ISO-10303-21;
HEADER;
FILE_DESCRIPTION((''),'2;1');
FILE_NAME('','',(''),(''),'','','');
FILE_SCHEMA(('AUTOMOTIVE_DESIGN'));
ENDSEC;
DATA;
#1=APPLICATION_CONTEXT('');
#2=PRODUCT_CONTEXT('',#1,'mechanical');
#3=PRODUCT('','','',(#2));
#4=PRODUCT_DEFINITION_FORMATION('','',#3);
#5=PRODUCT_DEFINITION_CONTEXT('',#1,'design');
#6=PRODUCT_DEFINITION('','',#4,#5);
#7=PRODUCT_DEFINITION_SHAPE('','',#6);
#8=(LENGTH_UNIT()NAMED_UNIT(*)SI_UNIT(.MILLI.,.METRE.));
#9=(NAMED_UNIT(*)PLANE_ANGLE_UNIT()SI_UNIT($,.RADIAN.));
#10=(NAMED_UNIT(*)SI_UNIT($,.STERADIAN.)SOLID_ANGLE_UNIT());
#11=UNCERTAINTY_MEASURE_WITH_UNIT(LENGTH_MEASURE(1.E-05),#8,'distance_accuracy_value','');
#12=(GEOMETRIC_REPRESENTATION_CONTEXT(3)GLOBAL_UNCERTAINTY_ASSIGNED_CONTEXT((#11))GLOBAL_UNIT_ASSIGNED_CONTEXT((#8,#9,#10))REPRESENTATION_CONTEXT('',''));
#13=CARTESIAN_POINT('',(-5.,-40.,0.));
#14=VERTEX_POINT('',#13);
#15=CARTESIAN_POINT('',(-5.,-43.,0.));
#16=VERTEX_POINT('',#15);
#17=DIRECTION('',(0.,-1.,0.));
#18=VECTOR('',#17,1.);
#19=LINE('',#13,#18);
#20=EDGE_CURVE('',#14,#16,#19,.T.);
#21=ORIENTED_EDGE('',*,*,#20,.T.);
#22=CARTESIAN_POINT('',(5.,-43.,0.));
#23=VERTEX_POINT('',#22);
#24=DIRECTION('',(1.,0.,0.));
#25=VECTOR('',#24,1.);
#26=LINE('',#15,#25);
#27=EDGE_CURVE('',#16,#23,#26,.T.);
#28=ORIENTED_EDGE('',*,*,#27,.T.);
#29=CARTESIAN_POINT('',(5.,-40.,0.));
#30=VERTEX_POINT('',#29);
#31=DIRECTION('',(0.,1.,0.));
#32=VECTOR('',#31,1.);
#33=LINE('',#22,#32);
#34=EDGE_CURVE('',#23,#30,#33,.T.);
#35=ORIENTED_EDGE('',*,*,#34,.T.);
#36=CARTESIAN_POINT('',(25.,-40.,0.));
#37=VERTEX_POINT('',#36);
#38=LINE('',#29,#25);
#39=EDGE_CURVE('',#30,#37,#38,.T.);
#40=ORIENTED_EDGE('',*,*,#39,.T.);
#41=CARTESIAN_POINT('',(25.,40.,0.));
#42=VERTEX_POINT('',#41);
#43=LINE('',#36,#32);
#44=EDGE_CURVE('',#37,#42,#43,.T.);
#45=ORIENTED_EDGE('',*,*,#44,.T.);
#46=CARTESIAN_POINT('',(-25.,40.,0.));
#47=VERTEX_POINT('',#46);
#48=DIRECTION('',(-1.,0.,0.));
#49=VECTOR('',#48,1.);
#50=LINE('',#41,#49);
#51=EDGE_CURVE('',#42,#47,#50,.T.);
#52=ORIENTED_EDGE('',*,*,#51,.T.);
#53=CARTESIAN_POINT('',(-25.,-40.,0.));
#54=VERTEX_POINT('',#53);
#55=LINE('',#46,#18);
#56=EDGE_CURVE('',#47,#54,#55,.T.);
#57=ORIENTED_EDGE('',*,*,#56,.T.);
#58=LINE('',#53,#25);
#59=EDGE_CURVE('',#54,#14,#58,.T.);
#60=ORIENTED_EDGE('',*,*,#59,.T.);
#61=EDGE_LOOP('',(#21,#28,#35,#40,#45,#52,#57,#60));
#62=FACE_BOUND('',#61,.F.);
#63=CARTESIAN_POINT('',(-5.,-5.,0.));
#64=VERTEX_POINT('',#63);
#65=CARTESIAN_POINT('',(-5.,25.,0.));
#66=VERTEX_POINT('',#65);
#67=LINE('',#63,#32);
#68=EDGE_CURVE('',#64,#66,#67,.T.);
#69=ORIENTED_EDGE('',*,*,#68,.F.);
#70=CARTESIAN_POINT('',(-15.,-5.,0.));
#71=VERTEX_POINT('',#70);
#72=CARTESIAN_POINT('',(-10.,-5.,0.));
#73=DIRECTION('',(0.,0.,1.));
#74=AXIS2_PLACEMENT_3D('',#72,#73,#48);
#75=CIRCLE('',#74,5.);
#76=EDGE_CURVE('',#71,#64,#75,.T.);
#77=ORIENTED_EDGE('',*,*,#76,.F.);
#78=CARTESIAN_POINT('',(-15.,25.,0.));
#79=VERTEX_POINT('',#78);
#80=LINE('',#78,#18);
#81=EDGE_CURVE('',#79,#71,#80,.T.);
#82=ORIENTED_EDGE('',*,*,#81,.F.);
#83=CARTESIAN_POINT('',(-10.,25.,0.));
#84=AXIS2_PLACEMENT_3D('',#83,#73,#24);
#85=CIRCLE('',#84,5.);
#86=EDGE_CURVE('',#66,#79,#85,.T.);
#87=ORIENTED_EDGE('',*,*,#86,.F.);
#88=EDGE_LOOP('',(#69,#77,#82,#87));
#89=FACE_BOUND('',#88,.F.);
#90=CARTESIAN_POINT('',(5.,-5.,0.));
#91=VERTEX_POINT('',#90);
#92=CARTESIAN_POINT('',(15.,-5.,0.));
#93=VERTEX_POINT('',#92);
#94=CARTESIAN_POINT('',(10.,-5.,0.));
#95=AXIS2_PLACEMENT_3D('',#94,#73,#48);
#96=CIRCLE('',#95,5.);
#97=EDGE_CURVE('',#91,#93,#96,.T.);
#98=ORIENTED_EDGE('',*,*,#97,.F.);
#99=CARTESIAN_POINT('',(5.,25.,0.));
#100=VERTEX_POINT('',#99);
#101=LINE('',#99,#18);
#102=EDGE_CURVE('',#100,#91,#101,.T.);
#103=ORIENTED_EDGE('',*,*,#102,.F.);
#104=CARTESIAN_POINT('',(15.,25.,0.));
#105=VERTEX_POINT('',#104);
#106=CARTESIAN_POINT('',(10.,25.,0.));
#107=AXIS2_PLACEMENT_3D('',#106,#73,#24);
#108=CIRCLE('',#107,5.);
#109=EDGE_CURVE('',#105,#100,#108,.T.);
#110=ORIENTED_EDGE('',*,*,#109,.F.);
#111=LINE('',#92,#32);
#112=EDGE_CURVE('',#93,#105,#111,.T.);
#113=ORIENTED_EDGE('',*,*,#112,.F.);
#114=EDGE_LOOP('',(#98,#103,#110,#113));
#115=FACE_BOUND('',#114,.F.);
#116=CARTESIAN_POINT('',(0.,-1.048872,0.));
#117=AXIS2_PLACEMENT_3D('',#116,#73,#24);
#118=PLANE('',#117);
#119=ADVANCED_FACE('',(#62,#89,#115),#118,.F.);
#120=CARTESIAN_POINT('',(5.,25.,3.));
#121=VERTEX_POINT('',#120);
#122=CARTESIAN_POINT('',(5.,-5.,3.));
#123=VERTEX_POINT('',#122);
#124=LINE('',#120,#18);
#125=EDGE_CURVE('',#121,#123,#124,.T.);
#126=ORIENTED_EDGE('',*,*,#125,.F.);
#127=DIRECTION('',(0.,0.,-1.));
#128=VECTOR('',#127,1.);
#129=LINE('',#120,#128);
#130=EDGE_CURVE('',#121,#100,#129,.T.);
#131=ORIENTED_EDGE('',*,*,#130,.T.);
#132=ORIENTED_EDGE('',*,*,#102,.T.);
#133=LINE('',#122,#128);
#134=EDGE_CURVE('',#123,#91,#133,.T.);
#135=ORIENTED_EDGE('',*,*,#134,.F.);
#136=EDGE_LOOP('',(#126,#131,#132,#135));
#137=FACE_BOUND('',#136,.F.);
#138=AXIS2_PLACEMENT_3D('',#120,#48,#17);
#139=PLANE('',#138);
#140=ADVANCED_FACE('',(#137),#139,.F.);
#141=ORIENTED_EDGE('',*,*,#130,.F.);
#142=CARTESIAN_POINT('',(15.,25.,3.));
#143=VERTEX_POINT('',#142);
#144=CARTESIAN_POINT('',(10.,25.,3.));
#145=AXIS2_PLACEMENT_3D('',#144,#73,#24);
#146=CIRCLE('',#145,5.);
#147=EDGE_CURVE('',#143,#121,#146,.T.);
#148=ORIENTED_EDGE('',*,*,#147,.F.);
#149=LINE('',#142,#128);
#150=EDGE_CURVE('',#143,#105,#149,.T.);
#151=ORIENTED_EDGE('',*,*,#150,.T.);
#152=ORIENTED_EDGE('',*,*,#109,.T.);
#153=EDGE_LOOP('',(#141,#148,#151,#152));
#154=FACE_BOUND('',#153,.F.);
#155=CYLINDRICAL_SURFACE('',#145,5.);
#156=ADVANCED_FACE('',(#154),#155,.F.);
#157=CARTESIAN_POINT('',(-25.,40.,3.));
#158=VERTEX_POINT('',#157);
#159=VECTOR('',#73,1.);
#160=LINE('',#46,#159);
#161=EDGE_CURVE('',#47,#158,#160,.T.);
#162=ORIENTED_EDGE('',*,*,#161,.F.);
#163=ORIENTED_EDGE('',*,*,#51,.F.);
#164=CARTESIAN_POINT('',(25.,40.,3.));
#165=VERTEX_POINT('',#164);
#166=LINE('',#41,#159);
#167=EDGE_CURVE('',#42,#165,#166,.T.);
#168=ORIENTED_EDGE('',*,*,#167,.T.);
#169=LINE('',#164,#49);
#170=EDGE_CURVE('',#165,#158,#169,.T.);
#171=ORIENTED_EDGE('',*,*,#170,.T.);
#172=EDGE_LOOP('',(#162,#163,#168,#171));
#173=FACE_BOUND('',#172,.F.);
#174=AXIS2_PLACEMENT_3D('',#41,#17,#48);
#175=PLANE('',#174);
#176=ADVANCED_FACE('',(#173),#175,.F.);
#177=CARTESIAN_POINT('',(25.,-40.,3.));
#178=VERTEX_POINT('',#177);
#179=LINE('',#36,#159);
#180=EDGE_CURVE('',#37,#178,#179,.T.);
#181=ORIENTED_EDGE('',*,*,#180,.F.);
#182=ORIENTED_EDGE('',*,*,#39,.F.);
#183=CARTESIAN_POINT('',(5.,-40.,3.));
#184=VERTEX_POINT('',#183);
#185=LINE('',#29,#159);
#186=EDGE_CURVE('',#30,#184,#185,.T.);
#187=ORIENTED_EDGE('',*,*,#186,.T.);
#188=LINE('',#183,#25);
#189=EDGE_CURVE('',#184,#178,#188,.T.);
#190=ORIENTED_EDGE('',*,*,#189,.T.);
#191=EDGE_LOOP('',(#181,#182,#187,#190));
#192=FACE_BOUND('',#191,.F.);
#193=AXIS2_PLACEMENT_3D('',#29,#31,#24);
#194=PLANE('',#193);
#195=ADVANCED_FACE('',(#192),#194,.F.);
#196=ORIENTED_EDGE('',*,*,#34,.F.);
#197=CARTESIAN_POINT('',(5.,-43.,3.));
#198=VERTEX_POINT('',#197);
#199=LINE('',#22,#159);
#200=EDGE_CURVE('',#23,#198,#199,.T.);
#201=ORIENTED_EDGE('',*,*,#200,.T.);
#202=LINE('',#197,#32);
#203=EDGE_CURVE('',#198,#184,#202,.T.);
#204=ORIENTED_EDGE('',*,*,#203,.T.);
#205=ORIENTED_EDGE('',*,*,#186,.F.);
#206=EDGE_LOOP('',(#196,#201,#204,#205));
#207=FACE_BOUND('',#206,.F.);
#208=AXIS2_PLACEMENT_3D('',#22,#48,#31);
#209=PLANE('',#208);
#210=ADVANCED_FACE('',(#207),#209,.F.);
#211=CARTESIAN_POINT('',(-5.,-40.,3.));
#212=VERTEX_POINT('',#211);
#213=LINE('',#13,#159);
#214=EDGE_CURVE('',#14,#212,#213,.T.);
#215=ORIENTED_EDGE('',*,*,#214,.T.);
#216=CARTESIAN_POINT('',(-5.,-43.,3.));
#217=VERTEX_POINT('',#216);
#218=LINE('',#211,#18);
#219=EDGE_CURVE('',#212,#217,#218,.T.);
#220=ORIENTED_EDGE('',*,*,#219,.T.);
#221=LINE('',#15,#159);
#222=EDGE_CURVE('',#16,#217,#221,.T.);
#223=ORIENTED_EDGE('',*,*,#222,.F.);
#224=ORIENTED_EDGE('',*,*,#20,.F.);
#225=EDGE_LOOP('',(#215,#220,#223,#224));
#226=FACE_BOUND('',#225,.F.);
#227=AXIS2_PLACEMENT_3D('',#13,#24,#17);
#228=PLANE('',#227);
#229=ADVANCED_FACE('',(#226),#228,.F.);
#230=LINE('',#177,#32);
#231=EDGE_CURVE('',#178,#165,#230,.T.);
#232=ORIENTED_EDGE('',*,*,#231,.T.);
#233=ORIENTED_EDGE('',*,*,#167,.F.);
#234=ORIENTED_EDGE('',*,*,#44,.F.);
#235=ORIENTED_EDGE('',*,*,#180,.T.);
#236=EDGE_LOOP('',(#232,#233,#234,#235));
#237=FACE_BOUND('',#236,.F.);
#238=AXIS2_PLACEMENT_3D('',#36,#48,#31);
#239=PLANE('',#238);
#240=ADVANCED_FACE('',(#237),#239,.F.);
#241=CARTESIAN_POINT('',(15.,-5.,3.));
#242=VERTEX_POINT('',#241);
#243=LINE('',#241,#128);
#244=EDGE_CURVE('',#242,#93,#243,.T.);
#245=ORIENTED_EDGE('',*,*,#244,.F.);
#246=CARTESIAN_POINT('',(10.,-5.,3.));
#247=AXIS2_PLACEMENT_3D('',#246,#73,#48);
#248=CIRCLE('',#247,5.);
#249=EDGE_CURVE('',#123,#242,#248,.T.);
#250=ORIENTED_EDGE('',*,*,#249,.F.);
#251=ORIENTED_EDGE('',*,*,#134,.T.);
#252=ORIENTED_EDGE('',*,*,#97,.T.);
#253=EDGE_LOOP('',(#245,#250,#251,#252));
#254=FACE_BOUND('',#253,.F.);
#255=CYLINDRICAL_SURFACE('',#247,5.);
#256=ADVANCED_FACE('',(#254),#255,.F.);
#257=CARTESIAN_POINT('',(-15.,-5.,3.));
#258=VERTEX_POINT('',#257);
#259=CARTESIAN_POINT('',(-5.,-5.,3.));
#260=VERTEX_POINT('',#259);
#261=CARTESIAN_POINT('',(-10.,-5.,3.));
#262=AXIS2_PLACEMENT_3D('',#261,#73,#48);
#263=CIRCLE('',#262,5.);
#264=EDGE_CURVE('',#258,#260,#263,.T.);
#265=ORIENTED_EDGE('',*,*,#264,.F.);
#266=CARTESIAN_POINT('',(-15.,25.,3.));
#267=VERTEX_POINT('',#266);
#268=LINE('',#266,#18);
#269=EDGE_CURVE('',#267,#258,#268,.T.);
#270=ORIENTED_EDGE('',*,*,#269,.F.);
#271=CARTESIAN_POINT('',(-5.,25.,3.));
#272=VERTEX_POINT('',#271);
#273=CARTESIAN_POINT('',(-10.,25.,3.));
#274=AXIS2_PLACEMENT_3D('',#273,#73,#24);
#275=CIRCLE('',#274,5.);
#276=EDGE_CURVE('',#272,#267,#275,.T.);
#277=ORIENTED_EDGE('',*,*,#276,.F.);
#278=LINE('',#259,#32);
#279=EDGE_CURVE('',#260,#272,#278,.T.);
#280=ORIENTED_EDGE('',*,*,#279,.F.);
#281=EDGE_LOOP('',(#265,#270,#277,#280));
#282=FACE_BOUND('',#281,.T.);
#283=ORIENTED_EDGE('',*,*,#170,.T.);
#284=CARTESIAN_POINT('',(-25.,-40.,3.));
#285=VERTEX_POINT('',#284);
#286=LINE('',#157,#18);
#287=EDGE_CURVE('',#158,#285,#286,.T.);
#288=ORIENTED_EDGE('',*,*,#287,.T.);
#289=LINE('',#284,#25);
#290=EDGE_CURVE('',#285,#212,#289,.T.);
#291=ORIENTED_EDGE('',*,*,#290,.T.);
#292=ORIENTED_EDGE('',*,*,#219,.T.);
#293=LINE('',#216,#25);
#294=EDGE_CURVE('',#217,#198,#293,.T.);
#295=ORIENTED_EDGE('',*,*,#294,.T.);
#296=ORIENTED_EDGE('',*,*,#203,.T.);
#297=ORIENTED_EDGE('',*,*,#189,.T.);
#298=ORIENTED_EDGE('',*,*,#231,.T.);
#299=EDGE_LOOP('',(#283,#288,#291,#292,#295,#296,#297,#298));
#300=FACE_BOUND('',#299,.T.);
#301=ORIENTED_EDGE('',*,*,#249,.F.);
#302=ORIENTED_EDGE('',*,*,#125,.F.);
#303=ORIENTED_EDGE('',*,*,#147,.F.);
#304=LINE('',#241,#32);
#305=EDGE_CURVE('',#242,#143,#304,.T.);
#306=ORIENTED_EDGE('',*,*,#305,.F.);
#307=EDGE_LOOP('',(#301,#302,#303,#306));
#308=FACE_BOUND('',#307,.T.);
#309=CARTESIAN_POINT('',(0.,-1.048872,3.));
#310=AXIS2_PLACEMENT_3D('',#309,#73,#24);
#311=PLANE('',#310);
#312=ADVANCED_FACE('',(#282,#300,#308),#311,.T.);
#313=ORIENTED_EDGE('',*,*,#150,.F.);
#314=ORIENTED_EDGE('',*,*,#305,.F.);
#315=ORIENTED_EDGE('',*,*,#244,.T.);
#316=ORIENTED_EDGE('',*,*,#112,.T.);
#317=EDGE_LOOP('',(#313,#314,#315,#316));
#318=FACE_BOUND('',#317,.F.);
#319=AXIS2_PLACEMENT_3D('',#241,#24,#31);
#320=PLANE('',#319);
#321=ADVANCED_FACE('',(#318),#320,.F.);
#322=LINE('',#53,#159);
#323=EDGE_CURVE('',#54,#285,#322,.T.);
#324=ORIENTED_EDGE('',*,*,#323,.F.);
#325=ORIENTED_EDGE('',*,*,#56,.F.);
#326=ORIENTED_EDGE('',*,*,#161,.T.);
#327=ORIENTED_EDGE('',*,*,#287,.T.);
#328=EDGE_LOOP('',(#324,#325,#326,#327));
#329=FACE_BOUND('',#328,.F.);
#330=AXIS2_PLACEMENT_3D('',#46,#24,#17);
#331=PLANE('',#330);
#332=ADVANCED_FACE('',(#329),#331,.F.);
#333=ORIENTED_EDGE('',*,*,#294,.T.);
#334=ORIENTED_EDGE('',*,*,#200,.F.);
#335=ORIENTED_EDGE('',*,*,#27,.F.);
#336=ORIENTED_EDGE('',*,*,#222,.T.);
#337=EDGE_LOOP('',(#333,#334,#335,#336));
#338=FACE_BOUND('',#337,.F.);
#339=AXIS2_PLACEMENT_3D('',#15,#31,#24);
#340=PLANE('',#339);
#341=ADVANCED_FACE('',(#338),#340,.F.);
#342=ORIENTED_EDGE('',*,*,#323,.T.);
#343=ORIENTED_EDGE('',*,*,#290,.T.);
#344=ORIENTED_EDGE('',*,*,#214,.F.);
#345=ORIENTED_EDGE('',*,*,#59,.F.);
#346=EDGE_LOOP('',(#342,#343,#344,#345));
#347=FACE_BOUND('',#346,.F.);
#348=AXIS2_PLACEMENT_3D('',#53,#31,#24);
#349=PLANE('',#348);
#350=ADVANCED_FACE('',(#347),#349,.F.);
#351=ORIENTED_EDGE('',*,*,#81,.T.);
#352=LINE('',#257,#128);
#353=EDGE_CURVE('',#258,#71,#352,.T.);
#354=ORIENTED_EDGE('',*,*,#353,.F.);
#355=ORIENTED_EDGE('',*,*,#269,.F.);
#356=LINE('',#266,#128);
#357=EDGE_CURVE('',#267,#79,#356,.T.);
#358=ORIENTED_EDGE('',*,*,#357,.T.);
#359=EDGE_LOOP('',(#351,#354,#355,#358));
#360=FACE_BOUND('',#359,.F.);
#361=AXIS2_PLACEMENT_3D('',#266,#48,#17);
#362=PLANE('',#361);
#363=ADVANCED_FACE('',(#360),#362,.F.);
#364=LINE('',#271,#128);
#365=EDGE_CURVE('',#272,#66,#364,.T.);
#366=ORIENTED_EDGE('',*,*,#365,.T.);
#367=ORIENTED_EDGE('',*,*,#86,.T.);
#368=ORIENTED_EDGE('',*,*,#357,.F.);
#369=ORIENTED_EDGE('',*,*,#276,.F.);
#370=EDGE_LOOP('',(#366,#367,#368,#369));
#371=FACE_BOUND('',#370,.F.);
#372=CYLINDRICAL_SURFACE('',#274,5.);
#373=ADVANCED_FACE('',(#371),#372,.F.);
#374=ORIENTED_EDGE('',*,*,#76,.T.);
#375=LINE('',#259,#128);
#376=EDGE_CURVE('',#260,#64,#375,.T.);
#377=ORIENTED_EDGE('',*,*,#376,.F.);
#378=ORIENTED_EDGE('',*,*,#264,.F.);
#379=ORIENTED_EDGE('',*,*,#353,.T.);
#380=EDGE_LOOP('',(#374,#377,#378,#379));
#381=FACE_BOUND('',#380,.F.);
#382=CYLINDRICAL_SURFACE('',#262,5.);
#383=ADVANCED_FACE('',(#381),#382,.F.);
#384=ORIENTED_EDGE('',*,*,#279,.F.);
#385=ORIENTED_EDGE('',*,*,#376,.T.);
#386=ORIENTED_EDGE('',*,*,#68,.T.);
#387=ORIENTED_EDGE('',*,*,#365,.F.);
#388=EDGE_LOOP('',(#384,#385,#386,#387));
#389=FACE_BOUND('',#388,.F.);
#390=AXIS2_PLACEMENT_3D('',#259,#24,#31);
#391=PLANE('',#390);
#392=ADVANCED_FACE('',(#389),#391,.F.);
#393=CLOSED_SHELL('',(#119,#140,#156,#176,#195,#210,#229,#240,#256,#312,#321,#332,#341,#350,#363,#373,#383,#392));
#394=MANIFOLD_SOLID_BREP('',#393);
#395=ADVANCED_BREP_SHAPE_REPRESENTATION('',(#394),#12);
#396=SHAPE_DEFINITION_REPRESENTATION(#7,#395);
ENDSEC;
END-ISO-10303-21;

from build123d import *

# Parameters (mm, degrees)
F1_DEPTH = 3
F3_DEPTH = 3


with BuildPart() as f1:
    # F0 (on Top) → F1 (new body)
    with BuildSketch(Plane.XY):
        Polygon((25, -40), (25, 40), (-25, 40), (-25, -40), (-5, -40), (-5, -43), (5, -43), (5, -40), align=None)
    extrude(amount=F1_DEPTH)

    # F2 (on face) → F3 (cut, through all)
    with BuildSketch(Plane.XY.offset(3)):
        with BuildLine():
            ThreePointArc((-5, 25), (-10, 30), (-15, 25))
            Line((-15, 25), (-15, -5))
            ThreePointArc((-15, -5), (-10, -10), (-5, -5))
            Line((-5, -5), (-5, 25))
        make_face()
        with BuildLine():
            ThreePointArc((15, 25), (10, 30), (5, 25))
            Line((5, 25), (5, -5))
            ThreePointArc((5, -5), (10, -10), (15, -5))
            Line((15, -5), (15, 25))
        make_face()
    extrude(amount=-F3_DEPTH, mode=Mode.SUBTRACT)


solid = f1.part
